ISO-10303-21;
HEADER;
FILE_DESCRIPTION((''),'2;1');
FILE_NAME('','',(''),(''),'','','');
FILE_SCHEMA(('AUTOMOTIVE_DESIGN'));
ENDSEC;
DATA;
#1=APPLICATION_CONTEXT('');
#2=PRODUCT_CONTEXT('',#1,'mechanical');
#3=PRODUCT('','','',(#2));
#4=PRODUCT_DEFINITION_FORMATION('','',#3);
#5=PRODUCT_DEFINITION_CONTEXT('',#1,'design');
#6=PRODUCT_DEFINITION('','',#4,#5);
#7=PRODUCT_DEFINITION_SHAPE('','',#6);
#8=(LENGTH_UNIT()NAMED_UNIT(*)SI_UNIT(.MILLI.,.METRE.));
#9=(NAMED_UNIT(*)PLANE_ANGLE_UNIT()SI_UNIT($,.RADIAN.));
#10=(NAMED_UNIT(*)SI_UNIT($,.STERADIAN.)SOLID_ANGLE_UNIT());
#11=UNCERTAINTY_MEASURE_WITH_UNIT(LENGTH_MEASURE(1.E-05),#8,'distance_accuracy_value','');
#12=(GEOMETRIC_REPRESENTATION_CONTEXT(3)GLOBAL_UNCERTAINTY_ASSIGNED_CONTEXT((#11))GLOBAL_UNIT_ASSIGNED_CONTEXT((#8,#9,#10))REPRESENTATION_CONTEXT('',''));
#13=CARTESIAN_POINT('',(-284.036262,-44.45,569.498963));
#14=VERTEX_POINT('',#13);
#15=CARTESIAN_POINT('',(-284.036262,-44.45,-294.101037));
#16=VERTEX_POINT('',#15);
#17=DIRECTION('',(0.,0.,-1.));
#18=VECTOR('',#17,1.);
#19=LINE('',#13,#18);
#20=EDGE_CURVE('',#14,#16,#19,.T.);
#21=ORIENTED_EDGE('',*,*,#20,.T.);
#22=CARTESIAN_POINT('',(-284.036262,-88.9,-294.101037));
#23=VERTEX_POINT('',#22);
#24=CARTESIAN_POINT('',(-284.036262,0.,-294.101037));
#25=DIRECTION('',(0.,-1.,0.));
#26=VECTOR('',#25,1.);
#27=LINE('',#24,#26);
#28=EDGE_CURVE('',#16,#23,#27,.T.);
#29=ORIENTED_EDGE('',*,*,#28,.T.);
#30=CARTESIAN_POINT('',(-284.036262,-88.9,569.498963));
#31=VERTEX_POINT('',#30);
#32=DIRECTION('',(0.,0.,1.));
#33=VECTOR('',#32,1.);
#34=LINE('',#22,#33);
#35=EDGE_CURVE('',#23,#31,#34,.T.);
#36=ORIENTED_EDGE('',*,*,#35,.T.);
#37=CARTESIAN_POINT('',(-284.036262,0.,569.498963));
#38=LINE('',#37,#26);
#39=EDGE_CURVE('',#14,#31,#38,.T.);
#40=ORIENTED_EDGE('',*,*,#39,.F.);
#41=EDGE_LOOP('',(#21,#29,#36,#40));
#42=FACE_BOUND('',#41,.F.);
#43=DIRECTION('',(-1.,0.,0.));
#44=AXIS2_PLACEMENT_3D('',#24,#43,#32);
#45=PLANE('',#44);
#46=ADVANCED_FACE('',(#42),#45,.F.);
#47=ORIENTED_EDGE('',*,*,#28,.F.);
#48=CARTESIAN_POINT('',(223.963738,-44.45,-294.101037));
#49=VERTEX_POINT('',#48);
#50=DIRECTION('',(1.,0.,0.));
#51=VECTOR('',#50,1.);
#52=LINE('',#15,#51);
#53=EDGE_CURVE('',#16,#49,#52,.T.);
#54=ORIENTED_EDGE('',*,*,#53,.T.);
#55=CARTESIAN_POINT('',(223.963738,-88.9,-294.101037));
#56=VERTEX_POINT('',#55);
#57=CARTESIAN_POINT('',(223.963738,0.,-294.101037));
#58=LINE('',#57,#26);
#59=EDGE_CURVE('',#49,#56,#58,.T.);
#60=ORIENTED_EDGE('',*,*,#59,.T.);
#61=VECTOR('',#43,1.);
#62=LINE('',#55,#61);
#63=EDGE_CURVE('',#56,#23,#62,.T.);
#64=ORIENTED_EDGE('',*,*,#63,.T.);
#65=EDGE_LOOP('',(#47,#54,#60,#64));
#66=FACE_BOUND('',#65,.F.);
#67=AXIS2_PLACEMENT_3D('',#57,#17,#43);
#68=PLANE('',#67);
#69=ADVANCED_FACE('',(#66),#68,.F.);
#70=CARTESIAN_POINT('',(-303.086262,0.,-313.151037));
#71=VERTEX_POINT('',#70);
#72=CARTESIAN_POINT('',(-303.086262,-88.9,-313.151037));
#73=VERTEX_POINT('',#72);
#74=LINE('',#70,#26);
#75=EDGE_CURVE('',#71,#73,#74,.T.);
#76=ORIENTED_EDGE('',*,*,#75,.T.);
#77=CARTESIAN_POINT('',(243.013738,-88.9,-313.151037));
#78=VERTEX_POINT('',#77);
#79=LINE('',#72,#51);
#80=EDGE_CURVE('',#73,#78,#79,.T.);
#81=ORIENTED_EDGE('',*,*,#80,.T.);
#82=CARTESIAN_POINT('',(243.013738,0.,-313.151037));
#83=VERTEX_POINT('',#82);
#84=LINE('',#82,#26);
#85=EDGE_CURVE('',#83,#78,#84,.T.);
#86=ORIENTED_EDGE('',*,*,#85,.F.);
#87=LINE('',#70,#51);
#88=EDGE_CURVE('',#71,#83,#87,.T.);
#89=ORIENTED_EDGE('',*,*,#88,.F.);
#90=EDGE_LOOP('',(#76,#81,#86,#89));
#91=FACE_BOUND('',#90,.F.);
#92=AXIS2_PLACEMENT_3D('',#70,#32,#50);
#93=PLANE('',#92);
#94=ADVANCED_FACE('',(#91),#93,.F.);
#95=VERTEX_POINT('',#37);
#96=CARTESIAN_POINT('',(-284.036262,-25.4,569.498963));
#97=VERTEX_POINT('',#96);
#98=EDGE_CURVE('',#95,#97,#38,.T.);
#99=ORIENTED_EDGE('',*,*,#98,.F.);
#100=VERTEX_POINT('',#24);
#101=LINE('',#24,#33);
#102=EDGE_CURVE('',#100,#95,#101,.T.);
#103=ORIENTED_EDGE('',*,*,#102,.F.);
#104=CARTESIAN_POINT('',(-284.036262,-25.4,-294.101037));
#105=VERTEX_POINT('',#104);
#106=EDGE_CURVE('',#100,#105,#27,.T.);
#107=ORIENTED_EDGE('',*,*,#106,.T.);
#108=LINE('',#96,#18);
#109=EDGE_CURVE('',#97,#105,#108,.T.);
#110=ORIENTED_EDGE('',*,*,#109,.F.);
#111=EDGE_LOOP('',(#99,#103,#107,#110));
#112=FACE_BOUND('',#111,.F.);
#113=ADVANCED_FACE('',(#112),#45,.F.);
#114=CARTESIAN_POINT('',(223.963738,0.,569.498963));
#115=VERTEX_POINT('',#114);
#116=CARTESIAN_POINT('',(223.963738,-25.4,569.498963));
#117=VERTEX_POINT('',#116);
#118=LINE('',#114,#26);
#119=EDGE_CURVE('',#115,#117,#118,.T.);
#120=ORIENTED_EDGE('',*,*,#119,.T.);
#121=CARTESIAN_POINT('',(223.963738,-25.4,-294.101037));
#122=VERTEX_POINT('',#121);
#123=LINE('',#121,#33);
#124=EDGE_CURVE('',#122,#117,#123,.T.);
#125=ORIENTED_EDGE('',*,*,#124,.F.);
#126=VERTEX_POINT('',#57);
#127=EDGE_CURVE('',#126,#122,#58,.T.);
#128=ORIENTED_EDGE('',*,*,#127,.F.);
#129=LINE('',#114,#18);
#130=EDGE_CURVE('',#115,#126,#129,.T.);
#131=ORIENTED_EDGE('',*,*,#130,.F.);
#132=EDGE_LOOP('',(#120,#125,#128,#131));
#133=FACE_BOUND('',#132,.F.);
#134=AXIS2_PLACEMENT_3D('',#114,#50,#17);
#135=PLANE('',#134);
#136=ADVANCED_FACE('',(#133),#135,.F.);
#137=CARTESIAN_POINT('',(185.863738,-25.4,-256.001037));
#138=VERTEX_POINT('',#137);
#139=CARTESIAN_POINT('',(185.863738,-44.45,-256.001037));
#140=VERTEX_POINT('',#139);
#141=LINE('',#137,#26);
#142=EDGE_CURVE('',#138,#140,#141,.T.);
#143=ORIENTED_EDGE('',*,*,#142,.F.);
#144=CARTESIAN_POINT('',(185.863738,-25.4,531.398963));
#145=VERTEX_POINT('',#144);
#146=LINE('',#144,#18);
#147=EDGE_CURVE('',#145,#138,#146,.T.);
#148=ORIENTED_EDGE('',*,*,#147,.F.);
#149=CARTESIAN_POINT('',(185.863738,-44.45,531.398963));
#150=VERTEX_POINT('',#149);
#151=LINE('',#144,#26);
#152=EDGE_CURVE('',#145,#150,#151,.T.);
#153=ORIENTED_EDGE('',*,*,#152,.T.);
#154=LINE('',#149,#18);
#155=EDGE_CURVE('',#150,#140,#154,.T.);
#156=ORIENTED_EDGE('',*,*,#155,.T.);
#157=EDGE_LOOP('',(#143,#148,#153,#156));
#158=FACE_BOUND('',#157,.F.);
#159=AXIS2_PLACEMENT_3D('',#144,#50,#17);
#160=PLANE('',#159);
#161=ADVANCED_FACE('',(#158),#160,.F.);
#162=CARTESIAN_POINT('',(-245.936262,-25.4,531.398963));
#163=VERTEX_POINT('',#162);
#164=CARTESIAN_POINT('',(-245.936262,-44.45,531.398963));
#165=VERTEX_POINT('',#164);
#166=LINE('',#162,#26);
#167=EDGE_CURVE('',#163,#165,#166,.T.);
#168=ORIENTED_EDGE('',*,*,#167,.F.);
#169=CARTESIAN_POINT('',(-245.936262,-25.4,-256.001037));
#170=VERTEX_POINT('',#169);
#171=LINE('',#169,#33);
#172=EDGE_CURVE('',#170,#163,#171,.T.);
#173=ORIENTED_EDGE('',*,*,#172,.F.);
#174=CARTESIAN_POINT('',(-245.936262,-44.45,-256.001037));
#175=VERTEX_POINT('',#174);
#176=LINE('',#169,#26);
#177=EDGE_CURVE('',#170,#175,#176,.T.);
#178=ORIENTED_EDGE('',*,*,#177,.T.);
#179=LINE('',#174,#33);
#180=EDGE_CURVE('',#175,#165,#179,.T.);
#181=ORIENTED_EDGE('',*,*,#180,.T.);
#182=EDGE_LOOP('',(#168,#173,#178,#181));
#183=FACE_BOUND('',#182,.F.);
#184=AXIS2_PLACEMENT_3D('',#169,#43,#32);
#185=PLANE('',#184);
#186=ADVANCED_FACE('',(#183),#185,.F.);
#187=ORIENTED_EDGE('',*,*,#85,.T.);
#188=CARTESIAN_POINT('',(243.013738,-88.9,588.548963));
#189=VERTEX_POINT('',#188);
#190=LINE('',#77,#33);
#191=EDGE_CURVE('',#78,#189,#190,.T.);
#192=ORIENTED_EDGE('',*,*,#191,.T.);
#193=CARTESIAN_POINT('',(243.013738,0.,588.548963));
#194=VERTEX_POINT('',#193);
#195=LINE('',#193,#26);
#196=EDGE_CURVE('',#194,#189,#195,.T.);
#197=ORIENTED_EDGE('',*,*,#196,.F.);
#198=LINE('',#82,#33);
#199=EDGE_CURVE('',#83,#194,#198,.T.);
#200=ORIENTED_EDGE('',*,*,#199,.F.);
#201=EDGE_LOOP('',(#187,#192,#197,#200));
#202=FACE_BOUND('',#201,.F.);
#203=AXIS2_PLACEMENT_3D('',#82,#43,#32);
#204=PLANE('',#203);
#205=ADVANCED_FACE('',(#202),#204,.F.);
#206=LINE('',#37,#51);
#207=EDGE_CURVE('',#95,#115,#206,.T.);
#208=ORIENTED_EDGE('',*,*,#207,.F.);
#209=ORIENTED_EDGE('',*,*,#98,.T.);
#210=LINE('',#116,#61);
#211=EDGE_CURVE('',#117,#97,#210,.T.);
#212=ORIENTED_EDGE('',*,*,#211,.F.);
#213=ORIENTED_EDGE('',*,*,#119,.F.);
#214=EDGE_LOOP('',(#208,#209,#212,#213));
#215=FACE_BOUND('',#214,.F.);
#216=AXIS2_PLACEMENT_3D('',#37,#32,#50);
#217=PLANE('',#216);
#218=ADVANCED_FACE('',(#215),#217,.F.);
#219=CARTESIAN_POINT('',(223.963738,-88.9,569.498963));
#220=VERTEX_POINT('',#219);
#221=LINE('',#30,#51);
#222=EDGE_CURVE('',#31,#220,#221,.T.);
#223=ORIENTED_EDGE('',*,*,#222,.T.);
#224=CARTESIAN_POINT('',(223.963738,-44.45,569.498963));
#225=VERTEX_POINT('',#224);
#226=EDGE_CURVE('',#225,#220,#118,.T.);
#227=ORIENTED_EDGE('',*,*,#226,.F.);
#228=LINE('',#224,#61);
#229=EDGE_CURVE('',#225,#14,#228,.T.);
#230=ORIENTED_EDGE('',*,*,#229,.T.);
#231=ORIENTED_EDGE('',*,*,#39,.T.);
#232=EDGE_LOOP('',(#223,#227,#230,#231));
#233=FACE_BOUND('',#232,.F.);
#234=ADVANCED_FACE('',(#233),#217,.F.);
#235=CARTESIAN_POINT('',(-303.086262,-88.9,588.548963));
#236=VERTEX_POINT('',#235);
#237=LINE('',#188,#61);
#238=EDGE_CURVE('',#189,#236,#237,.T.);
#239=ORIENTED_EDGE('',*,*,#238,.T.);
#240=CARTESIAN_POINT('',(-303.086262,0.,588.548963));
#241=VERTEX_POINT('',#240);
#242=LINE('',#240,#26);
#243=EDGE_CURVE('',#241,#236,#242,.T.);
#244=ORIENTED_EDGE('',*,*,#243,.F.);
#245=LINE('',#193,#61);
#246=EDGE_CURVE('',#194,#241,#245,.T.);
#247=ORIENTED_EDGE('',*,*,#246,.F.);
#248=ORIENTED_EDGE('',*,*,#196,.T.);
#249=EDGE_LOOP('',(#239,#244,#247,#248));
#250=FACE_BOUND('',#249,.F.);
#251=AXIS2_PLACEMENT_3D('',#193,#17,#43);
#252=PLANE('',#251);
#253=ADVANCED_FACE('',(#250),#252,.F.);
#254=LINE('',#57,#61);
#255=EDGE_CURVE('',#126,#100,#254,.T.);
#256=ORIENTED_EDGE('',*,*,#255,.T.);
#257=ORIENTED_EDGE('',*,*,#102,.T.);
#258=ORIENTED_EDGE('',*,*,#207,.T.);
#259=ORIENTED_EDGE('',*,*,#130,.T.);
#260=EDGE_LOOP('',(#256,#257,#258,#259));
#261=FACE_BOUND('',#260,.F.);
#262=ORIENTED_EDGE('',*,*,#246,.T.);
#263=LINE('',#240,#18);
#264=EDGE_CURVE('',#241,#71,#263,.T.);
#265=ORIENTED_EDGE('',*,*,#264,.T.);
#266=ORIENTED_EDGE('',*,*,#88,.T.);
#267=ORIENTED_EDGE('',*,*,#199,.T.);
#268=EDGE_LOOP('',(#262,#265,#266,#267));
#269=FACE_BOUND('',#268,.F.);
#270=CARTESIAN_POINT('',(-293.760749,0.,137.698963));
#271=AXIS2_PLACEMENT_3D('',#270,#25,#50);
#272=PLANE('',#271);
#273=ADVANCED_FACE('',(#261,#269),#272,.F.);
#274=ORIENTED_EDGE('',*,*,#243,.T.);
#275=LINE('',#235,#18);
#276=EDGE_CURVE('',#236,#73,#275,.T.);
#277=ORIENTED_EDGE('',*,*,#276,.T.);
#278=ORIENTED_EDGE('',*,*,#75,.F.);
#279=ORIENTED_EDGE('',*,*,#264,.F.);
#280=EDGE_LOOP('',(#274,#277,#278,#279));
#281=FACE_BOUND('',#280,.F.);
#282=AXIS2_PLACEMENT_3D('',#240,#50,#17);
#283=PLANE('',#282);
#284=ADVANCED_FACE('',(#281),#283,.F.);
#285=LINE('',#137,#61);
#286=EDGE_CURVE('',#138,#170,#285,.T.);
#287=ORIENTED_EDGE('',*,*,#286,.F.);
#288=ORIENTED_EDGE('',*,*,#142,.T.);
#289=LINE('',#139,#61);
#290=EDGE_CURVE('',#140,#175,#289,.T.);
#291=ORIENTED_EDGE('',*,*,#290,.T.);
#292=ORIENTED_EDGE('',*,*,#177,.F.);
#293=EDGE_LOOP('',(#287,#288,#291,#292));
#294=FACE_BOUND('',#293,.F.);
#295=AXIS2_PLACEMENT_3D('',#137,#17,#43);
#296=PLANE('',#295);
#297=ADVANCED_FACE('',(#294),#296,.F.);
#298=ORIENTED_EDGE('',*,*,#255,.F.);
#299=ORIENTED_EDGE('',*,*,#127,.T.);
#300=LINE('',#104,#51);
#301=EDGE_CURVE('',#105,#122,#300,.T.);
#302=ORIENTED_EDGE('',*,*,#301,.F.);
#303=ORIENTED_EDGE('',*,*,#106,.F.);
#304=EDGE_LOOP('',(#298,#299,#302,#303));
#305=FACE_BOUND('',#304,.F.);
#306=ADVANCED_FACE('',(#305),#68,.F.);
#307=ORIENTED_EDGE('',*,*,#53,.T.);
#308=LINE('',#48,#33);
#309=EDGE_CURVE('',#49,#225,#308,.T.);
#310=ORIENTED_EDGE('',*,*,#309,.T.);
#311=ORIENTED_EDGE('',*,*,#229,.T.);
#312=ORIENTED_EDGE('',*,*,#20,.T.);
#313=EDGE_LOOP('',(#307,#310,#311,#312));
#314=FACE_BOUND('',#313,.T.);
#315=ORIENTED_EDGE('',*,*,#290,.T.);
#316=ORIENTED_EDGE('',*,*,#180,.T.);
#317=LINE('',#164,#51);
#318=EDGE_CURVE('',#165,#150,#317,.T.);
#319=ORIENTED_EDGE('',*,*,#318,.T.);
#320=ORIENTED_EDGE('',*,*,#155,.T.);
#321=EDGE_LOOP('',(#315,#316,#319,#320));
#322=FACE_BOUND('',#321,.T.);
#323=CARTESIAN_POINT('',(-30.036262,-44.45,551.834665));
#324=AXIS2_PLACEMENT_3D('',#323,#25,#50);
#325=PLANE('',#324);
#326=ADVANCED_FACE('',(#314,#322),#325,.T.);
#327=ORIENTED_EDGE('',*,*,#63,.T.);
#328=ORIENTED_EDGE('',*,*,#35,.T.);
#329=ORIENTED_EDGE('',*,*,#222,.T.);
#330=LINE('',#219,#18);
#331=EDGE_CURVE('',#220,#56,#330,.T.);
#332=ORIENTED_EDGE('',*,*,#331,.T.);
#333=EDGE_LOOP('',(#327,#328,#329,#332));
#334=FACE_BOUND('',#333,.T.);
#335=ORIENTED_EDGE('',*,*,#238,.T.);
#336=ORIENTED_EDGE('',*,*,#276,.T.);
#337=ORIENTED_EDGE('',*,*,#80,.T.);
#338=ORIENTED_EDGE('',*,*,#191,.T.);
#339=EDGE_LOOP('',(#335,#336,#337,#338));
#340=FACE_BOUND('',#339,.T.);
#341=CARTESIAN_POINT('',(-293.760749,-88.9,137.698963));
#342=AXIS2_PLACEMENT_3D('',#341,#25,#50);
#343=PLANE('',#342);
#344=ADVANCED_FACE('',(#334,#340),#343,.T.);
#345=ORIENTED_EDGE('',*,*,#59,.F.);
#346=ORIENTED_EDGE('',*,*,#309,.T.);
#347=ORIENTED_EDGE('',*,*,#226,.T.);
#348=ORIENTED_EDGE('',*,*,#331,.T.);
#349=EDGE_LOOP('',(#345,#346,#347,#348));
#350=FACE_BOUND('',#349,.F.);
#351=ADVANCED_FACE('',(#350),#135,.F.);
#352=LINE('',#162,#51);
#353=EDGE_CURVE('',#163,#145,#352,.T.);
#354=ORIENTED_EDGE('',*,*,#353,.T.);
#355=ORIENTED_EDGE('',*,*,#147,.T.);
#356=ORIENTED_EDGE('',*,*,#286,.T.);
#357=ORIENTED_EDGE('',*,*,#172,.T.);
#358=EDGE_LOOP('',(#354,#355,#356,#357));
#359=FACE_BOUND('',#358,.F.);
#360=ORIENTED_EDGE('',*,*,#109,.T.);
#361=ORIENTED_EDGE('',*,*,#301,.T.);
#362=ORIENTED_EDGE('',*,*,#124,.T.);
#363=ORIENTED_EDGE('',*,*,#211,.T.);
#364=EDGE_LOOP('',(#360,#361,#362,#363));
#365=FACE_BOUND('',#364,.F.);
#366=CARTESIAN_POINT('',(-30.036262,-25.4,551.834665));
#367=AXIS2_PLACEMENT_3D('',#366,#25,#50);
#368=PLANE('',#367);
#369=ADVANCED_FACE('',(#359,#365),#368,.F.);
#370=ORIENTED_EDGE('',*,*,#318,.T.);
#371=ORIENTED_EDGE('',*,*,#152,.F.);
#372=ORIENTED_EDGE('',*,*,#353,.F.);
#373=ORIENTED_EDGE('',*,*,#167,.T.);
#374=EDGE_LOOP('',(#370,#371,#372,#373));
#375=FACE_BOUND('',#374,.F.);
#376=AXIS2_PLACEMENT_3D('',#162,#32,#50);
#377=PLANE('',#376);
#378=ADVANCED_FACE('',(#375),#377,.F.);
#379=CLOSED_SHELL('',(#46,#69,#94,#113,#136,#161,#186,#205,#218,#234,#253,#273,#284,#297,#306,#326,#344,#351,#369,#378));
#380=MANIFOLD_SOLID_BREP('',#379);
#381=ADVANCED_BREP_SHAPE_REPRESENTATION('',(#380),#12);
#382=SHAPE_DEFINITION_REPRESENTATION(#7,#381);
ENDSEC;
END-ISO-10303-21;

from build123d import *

# Parameters (mm, degrees)
F1_DEPTH = 88.9
F2_START = 25.4
F2_DEPTH = 19.05


with BuildPart() as f1:
    # F0 (on Front) → F1 (new body)
    with BuildSketch(Plane.XZ):
        Polygon((-284.0362622675, 569.4989632036), (-303.0862622675, 588.5489632036), (-303.0862622675, -313.1510367964), (-284.0362622675, -294.1010367964), align=None)
        Polygon((243.0137377325, 588.5489632036), (-303.0862622675, 588.5489632036), (-284.0362622675, 569.4989632036), (223.9637377325, 569.4989632036), align=None)
        Polygon((-284.0362622675, -294.1010367964), (-303.0862622675, -313.1510367964), (243.0137377325, -313.1510367964), (223.9637377325, -294.1010367964), align=None)
        Polygon((243.0137377325, -313.1510367964), (243.0137377325, 588.5489632036), (223.9637377325, 569.4989632036), (223.9637377325, -294.1010367964), align=None)
    extrude(amount=F1_DEPTH)

    # F0 (on Front) → F2 (join)
    with BuildSketch(Plane.XZ.offset(F2_START)):
        Polygon((223.9637377325, 569.4989632036), (-284.0362622675, 569.4989632036), (-245.9362622675, 531.3989632036), (185.8637377325, 531.3989632036), align=None)
        Polygon((-245.9362622675, 531.3989632036), (-284.0362622675, 569.4989632036), (-284.0362622675, -294.1010367964), (-245.9362622675, -256.0010367964), align=None)
        Polygon((223.9637377325, -294.1010367964), (223.9637377325, 569.4989632036), (185.8637377325, 531.3989632036), (185.8637377325, -256.0010367964), align=None)
        Polygon((-245.9362622675, -256.0010367964), (-284.0362622675, -294.1010367964), (223.9637377325, -294.1010367964), (185.8637377325, -256.0010367964), align=None)
    extrude(amount=F2_DEPTH)


solid = f1.part
